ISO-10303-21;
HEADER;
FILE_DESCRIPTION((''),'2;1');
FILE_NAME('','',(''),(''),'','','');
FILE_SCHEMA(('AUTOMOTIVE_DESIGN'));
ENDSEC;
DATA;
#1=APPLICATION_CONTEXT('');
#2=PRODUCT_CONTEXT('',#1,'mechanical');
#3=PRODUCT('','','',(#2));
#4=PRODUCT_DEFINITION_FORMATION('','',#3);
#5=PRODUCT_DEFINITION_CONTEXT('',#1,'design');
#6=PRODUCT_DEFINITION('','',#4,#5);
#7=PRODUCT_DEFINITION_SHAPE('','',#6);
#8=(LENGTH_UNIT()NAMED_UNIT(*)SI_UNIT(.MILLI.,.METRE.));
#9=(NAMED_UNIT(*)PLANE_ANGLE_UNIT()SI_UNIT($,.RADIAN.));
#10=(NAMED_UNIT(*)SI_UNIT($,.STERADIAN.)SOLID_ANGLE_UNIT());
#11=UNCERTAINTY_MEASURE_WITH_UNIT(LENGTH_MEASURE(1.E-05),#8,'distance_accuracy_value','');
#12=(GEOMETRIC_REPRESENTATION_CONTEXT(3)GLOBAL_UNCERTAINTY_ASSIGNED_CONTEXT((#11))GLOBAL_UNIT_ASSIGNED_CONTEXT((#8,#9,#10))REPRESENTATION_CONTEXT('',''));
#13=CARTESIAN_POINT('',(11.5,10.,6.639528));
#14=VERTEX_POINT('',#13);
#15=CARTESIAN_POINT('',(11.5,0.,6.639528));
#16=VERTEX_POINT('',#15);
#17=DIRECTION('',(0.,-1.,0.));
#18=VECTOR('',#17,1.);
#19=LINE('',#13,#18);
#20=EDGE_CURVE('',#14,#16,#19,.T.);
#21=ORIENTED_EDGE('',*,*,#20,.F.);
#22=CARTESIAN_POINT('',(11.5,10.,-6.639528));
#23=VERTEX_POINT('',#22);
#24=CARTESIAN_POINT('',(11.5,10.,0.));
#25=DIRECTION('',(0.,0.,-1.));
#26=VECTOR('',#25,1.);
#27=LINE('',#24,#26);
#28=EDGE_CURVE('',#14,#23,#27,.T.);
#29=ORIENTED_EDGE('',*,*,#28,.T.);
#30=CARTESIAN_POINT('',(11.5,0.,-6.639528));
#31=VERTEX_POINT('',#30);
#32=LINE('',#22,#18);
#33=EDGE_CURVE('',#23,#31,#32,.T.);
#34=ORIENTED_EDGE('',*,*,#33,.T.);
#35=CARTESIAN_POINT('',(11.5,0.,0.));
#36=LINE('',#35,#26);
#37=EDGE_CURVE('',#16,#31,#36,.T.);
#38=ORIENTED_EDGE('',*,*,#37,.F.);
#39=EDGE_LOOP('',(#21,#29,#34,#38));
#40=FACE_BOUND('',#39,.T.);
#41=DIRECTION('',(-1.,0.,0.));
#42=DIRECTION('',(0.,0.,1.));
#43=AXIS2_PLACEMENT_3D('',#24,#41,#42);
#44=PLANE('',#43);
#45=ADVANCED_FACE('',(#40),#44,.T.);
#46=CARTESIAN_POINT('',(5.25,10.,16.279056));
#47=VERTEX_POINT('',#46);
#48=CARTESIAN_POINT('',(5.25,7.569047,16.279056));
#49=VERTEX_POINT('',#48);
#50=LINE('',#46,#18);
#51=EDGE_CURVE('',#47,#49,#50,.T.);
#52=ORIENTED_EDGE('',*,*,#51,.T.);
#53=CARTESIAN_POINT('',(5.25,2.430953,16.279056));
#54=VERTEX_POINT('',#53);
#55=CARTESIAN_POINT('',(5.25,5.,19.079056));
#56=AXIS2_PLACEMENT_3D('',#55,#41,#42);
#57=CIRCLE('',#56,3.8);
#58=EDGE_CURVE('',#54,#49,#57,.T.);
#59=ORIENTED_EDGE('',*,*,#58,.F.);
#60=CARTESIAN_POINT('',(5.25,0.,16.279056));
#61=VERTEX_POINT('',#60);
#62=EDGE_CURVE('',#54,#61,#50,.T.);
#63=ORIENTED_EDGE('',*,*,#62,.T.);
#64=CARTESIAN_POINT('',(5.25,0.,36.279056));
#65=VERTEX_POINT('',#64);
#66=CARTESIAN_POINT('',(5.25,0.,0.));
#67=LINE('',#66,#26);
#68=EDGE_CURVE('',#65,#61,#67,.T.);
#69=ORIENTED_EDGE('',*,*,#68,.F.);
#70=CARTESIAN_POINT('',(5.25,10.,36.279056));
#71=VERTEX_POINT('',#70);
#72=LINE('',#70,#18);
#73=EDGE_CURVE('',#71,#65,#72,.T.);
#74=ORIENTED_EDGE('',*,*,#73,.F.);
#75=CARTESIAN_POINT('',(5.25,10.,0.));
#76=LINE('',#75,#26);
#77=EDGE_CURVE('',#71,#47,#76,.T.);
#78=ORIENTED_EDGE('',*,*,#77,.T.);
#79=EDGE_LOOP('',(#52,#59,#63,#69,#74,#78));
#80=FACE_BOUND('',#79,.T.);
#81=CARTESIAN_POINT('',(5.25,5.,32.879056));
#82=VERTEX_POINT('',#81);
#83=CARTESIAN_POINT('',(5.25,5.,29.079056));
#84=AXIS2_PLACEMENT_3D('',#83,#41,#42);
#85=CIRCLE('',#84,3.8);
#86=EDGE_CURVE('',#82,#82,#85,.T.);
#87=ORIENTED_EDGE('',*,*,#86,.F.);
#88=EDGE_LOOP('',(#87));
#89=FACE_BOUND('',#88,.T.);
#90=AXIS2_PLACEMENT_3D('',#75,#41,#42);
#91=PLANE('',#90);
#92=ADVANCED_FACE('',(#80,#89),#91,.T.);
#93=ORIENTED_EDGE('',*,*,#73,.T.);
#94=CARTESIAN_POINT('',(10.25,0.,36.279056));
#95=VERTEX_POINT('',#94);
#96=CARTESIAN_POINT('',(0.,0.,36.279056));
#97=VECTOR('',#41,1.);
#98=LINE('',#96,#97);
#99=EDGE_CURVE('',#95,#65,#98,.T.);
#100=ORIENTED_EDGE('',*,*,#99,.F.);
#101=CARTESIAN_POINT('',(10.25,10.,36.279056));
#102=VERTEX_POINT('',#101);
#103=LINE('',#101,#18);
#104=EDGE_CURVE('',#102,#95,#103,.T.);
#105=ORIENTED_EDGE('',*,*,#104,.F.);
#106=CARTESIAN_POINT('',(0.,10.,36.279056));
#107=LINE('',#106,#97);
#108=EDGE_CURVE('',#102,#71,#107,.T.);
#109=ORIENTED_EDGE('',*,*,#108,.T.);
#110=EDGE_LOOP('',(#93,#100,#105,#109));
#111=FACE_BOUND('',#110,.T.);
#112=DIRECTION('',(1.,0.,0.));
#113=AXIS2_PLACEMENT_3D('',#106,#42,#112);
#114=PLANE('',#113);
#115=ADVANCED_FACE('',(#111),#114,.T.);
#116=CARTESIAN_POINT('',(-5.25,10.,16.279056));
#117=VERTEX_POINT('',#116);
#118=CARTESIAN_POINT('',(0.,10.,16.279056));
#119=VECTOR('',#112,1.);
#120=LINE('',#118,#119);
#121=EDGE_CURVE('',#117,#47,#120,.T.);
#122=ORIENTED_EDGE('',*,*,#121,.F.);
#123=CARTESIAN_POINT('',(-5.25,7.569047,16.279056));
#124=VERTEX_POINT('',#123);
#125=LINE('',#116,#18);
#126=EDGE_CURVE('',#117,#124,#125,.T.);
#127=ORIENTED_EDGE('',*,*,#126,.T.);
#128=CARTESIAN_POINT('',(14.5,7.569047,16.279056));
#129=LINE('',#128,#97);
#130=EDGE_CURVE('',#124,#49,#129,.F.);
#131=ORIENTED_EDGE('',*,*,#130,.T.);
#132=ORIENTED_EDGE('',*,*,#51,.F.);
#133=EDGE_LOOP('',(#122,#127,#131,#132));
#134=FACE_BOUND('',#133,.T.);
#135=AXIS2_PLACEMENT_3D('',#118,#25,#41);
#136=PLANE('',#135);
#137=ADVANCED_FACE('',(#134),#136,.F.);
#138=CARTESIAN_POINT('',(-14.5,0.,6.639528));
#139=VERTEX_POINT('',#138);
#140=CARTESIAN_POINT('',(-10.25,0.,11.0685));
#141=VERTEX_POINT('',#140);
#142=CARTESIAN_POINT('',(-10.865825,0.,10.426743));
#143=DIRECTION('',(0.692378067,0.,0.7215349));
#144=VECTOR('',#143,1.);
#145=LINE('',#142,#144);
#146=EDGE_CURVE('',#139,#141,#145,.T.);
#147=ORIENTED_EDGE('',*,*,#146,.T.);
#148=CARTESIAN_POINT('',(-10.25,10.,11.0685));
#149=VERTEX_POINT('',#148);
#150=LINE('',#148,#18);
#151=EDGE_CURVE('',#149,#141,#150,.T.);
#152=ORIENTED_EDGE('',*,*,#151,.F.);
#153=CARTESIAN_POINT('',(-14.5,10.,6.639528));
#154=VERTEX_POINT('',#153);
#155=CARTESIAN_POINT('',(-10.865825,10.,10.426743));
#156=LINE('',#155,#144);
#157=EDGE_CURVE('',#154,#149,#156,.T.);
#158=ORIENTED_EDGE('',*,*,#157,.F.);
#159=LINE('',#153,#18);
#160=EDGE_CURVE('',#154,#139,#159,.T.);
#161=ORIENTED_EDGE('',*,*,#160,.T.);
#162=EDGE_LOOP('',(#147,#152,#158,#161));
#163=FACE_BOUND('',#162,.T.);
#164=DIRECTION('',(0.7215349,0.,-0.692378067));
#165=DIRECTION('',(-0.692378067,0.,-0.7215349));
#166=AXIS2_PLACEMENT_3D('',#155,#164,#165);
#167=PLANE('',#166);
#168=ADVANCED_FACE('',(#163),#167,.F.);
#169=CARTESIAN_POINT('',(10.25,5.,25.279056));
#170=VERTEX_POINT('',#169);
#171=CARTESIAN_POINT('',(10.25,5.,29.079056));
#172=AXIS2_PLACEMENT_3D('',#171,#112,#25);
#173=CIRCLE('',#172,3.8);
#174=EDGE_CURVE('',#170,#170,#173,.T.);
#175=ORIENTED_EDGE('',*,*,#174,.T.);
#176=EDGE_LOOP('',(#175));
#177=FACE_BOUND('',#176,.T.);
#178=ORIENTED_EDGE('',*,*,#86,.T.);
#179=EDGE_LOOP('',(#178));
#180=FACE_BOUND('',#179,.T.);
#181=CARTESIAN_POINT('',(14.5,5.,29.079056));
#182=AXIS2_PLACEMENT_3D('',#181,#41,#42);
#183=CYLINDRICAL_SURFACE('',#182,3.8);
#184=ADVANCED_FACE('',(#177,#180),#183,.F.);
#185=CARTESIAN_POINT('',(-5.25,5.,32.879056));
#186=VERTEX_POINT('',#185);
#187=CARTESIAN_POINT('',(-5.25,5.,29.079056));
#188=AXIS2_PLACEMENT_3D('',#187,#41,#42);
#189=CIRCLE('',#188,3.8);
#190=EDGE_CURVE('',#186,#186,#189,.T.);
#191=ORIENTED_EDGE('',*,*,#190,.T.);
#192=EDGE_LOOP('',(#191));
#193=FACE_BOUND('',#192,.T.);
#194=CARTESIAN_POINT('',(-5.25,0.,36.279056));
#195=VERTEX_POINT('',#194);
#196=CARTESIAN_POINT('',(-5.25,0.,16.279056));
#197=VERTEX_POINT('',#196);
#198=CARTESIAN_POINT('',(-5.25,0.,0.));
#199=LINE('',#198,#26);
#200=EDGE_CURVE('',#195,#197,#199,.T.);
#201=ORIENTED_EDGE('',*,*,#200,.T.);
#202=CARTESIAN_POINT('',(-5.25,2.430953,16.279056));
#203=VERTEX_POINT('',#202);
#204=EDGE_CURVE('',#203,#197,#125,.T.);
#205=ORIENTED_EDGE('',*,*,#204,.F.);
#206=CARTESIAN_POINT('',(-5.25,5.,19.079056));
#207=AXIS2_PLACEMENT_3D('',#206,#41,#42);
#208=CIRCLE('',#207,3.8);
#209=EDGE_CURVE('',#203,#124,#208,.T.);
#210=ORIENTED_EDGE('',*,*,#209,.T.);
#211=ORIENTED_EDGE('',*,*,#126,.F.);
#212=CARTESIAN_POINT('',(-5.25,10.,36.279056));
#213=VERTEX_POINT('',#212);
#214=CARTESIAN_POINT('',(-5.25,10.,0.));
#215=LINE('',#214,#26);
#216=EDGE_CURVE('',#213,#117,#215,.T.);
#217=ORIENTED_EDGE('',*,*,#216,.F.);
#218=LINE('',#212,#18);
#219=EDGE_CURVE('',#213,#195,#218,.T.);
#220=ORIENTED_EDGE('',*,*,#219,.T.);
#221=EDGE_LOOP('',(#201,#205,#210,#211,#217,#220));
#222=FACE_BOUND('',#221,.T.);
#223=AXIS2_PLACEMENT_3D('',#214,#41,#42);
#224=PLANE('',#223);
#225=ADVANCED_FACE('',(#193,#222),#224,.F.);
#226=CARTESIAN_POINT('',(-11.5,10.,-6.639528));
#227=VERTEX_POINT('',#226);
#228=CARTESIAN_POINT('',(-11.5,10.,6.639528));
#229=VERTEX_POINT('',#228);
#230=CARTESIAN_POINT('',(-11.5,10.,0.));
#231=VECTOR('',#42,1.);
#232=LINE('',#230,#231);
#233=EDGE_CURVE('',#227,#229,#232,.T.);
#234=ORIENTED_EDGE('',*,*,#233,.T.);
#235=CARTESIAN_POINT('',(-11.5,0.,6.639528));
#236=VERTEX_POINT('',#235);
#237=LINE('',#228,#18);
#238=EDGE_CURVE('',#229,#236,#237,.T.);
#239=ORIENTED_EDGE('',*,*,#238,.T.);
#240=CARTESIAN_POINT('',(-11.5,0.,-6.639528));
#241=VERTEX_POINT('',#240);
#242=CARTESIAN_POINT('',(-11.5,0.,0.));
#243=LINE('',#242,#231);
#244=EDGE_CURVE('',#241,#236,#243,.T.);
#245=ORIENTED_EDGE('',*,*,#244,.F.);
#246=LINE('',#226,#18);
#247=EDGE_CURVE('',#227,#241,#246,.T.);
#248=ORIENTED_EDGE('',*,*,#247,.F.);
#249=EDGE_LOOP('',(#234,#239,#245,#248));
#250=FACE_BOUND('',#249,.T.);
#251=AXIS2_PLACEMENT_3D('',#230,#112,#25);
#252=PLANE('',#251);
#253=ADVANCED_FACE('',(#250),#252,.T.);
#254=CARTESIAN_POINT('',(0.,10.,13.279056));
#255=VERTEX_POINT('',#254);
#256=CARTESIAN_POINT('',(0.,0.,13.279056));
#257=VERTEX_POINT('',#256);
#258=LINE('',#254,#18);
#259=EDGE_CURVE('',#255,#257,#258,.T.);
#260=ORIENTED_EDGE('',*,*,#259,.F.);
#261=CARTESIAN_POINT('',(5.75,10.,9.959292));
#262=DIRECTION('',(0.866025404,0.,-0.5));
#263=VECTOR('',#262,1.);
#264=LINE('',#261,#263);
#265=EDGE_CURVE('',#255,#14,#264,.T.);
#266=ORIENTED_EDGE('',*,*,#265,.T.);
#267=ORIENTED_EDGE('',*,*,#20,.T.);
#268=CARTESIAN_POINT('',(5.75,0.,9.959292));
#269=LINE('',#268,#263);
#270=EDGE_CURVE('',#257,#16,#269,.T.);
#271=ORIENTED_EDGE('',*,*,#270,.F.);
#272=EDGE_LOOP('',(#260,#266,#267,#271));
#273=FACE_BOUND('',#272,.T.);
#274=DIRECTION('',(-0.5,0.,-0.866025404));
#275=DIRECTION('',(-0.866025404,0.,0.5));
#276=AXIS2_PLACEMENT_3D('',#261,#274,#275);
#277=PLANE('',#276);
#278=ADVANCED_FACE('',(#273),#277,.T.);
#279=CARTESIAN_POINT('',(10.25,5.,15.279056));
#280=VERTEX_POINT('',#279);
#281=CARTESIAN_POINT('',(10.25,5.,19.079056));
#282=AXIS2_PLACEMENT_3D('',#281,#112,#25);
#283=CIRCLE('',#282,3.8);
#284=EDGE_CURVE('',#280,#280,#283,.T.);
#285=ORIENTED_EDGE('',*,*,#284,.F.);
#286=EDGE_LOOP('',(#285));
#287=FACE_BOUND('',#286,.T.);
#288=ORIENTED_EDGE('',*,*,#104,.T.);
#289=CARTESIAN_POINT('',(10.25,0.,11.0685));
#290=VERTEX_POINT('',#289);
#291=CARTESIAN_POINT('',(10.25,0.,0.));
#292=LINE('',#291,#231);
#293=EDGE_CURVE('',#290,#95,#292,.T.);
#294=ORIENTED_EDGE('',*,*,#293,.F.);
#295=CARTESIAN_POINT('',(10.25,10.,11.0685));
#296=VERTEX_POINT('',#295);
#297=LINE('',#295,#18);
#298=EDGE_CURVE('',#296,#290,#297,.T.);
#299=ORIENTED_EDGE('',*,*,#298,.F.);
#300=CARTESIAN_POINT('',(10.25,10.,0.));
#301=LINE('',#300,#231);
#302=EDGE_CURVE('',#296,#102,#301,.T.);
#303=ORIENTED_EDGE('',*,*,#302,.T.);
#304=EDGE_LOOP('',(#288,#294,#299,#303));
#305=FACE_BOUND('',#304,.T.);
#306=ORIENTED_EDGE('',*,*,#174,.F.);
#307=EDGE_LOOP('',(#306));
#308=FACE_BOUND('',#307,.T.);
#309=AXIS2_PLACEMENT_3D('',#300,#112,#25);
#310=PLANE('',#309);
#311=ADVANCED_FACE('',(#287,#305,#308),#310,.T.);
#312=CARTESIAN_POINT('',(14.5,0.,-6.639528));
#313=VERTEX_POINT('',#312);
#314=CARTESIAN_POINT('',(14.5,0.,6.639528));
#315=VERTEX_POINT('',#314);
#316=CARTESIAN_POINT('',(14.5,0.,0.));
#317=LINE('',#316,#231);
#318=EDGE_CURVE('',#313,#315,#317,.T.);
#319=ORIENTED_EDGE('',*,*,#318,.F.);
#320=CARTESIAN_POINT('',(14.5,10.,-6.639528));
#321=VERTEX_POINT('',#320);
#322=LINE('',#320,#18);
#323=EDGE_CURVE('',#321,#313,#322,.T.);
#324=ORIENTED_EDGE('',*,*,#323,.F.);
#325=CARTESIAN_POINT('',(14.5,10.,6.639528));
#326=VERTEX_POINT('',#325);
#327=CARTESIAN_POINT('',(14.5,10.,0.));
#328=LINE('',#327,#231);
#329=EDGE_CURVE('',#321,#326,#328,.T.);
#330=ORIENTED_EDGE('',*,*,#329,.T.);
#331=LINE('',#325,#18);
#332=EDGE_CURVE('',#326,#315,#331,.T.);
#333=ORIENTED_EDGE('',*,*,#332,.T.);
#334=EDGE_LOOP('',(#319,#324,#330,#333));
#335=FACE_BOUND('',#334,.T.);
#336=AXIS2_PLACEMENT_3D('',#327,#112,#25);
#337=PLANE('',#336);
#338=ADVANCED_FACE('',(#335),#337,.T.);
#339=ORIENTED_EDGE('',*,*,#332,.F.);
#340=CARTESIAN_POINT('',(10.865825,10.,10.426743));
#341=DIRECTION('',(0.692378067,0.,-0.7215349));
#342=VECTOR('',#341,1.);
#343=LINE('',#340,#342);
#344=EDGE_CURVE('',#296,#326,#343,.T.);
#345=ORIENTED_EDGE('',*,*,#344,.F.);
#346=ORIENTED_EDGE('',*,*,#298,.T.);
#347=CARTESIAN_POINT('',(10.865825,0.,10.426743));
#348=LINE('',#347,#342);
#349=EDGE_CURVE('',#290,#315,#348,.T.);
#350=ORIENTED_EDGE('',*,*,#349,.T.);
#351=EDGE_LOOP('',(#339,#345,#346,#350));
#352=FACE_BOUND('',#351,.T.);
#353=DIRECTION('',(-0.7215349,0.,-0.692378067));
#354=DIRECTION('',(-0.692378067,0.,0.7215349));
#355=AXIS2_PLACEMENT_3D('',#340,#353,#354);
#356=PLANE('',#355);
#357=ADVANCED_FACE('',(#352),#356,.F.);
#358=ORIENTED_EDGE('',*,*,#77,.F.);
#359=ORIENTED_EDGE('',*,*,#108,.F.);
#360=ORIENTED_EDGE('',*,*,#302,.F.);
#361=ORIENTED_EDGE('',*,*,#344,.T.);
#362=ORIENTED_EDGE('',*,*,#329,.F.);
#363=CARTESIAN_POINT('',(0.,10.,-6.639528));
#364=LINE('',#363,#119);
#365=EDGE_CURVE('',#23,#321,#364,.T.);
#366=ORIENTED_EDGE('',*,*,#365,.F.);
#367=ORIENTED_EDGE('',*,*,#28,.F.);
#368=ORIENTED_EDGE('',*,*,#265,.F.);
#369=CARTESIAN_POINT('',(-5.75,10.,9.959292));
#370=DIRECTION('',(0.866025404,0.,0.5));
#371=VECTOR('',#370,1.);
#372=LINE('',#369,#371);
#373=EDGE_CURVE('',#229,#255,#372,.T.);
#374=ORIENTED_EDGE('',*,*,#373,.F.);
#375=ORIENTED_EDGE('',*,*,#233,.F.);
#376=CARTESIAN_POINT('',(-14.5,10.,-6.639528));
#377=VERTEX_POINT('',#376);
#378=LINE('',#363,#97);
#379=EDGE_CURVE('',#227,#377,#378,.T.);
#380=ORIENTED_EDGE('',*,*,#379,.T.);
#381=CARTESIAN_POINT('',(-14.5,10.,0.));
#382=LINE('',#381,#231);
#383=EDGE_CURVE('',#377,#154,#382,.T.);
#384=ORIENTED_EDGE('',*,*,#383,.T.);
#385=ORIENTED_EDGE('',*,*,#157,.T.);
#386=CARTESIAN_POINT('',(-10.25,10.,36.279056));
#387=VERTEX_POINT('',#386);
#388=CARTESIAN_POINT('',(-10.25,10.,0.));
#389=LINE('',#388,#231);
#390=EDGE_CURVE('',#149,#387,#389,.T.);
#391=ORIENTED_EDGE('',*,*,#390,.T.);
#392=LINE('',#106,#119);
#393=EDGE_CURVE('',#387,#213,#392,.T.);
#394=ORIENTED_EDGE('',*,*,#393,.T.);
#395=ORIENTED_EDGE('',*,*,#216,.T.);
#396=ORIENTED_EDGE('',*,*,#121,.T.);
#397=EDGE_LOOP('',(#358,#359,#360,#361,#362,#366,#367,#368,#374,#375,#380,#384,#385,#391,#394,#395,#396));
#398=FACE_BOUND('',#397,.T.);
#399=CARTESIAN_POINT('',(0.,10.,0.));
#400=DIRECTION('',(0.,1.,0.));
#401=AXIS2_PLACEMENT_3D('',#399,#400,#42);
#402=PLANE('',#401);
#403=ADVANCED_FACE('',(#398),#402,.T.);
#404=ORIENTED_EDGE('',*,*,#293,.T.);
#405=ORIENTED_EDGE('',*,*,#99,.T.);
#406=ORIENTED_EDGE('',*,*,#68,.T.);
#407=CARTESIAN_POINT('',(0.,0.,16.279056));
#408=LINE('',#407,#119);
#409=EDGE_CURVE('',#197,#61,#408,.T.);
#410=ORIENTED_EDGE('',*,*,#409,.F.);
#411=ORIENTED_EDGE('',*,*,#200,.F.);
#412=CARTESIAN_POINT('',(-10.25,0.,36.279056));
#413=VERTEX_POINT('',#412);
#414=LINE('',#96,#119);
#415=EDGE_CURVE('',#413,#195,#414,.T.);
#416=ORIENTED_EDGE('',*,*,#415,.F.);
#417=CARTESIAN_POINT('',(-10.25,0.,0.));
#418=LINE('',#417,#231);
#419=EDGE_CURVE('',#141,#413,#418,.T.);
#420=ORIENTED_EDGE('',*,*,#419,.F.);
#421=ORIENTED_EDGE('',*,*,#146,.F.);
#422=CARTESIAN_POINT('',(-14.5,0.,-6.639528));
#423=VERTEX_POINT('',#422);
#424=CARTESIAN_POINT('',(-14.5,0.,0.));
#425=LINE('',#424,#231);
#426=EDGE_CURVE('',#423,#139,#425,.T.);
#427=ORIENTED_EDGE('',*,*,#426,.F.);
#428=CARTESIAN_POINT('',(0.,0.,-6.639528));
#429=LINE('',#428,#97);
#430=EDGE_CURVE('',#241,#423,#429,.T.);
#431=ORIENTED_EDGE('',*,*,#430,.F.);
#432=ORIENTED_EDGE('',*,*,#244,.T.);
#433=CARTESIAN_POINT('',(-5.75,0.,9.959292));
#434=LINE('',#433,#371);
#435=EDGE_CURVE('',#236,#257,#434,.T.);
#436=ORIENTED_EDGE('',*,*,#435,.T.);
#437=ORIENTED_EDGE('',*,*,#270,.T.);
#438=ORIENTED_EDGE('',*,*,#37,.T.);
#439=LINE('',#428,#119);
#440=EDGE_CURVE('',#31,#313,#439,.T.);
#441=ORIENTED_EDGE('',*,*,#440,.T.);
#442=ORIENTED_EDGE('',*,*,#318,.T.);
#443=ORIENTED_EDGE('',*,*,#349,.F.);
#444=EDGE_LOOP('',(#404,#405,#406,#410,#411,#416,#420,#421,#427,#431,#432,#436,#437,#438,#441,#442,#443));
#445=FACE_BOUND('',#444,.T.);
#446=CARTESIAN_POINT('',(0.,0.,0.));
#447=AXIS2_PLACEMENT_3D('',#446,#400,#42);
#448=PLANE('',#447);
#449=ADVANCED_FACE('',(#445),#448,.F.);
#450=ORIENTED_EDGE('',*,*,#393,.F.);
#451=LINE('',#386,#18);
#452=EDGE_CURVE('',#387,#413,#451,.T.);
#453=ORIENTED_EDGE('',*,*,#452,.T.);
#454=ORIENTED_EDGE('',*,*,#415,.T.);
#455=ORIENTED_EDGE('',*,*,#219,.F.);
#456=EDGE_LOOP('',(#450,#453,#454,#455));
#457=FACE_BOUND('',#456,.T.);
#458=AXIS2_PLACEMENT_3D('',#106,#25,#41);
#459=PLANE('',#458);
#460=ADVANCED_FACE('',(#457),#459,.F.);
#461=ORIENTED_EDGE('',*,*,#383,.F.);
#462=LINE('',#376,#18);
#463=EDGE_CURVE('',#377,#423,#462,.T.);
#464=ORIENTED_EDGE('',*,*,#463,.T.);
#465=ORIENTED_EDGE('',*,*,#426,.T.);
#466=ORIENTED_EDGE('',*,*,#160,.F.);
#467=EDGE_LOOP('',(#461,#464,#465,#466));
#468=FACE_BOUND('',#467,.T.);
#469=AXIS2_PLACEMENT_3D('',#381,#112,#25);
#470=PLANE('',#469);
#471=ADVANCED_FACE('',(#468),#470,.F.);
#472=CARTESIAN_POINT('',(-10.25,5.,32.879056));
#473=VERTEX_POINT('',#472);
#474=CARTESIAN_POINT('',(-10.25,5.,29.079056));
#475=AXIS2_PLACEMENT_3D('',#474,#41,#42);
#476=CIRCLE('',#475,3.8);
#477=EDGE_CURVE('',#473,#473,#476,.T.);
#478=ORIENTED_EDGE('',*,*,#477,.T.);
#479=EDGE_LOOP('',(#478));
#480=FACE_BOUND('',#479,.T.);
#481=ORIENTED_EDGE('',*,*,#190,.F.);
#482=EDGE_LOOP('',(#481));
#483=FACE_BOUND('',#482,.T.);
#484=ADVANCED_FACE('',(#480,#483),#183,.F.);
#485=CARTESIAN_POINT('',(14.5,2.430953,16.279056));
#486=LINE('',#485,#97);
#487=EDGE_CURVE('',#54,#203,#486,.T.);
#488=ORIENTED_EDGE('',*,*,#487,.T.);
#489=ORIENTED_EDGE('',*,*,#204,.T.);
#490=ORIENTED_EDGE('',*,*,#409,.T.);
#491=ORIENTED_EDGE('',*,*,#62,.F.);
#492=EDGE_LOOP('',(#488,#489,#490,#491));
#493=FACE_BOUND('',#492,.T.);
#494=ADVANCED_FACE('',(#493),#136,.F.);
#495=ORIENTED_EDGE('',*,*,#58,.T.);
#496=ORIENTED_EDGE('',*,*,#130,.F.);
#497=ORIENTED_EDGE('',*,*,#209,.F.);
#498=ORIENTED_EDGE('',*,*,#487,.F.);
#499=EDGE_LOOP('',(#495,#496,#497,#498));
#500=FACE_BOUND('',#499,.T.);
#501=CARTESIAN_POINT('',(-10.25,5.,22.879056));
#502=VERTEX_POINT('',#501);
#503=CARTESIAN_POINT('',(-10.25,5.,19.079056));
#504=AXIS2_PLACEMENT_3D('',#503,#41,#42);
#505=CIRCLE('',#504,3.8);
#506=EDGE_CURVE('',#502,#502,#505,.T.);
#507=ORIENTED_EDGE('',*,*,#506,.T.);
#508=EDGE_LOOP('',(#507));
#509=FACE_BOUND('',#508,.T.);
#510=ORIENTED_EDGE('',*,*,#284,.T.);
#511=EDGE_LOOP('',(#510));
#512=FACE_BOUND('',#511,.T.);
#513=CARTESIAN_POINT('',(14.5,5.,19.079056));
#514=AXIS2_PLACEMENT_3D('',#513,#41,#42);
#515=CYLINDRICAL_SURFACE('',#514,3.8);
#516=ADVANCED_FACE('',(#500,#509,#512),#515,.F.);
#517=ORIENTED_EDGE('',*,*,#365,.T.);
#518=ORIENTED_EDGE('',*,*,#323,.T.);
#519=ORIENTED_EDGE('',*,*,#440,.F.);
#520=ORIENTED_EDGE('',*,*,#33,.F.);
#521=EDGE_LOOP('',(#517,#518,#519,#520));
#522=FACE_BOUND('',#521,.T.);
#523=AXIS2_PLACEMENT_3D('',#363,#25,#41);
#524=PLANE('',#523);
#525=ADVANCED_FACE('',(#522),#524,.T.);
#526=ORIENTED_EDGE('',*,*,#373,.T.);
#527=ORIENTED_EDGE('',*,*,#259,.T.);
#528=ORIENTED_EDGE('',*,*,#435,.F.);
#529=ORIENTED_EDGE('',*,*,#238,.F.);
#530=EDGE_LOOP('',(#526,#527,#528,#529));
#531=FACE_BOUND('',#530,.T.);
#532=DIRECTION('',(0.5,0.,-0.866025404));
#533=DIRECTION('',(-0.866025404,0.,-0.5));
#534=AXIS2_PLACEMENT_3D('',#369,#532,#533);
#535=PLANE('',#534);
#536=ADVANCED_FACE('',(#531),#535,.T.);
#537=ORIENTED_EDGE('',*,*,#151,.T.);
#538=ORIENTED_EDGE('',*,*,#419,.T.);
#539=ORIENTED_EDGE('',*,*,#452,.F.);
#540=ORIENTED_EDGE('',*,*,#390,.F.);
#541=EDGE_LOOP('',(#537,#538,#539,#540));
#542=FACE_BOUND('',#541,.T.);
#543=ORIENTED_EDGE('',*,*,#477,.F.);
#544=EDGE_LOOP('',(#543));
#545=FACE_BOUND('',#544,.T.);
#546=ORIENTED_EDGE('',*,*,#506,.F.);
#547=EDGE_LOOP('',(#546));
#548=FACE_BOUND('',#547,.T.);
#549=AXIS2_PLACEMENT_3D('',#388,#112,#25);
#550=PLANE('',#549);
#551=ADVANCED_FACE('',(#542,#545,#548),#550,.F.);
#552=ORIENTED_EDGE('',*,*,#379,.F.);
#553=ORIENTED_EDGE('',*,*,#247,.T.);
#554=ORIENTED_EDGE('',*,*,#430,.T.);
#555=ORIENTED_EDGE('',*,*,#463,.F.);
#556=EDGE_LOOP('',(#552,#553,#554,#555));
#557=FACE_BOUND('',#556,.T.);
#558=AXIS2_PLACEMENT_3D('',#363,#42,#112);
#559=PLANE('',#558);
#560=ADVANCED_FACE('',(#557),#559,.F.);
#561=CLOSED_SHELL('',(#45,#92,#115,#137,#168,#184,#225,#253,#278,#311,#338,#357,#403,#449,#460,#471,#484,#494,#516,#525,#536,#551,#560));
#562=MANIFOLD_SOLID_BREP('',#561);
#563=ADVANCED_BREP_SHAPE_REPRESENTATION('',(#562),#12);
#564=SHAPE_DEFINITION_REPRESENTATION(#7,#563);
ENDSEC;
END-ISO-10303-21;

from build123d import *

# Parameters (mm, degrees)
BOSS_EXTRUDE1_DEPTH = 10
SKETCH3_R           = 3.8
CUT_EXTRUDE1_DEPTH  = 46.041452221


with BuildPart() as part:
    # Sketch1 → Boss-Extrude1 (new body)
    with BuildSketch(Plane(origin=(0, 0, 0), x_dir=(1, 0, 0), z_dir=(0, 1, 0))):
        Polygon((-11.5, -6.639528096), (-11.5, 6.639528096), (-14.5, 6.639528096), (-14.5, -6.639528096), (-10.25, -11.068500464), (-10.25, -36.279056191), (-5.25, -36.279056191), (-5.25, -16.279056191), (5.25, -16.279056191), (5.25, -36.279056191), (10.25, -36.279056191), (10.25, -11.068500464), (14.5, -6.639528096), (14.5, 6.639528096), (11.5, 6.639528096), (11.5, -6.639528096), (0, -13.279056191), align=None)
    extrude(amount=BOSS_EXTRUDE1_DEPTH)

    # Sketch3 → Cut-Extrude1 (cut, through all)
    with BuildSketch(Plane.ZY.offset(10.25)):
        with Locations((19.079056191, 5)):
            Circle(SKETCH3_R)
        with Locations((29.079056191, 5)):
            Circle(SKETCH3_R)
    extrude(amount=-CUT_EXTRUDE1_DEPTH, mode=Mode.SUBTRACT)


solid = part.part
